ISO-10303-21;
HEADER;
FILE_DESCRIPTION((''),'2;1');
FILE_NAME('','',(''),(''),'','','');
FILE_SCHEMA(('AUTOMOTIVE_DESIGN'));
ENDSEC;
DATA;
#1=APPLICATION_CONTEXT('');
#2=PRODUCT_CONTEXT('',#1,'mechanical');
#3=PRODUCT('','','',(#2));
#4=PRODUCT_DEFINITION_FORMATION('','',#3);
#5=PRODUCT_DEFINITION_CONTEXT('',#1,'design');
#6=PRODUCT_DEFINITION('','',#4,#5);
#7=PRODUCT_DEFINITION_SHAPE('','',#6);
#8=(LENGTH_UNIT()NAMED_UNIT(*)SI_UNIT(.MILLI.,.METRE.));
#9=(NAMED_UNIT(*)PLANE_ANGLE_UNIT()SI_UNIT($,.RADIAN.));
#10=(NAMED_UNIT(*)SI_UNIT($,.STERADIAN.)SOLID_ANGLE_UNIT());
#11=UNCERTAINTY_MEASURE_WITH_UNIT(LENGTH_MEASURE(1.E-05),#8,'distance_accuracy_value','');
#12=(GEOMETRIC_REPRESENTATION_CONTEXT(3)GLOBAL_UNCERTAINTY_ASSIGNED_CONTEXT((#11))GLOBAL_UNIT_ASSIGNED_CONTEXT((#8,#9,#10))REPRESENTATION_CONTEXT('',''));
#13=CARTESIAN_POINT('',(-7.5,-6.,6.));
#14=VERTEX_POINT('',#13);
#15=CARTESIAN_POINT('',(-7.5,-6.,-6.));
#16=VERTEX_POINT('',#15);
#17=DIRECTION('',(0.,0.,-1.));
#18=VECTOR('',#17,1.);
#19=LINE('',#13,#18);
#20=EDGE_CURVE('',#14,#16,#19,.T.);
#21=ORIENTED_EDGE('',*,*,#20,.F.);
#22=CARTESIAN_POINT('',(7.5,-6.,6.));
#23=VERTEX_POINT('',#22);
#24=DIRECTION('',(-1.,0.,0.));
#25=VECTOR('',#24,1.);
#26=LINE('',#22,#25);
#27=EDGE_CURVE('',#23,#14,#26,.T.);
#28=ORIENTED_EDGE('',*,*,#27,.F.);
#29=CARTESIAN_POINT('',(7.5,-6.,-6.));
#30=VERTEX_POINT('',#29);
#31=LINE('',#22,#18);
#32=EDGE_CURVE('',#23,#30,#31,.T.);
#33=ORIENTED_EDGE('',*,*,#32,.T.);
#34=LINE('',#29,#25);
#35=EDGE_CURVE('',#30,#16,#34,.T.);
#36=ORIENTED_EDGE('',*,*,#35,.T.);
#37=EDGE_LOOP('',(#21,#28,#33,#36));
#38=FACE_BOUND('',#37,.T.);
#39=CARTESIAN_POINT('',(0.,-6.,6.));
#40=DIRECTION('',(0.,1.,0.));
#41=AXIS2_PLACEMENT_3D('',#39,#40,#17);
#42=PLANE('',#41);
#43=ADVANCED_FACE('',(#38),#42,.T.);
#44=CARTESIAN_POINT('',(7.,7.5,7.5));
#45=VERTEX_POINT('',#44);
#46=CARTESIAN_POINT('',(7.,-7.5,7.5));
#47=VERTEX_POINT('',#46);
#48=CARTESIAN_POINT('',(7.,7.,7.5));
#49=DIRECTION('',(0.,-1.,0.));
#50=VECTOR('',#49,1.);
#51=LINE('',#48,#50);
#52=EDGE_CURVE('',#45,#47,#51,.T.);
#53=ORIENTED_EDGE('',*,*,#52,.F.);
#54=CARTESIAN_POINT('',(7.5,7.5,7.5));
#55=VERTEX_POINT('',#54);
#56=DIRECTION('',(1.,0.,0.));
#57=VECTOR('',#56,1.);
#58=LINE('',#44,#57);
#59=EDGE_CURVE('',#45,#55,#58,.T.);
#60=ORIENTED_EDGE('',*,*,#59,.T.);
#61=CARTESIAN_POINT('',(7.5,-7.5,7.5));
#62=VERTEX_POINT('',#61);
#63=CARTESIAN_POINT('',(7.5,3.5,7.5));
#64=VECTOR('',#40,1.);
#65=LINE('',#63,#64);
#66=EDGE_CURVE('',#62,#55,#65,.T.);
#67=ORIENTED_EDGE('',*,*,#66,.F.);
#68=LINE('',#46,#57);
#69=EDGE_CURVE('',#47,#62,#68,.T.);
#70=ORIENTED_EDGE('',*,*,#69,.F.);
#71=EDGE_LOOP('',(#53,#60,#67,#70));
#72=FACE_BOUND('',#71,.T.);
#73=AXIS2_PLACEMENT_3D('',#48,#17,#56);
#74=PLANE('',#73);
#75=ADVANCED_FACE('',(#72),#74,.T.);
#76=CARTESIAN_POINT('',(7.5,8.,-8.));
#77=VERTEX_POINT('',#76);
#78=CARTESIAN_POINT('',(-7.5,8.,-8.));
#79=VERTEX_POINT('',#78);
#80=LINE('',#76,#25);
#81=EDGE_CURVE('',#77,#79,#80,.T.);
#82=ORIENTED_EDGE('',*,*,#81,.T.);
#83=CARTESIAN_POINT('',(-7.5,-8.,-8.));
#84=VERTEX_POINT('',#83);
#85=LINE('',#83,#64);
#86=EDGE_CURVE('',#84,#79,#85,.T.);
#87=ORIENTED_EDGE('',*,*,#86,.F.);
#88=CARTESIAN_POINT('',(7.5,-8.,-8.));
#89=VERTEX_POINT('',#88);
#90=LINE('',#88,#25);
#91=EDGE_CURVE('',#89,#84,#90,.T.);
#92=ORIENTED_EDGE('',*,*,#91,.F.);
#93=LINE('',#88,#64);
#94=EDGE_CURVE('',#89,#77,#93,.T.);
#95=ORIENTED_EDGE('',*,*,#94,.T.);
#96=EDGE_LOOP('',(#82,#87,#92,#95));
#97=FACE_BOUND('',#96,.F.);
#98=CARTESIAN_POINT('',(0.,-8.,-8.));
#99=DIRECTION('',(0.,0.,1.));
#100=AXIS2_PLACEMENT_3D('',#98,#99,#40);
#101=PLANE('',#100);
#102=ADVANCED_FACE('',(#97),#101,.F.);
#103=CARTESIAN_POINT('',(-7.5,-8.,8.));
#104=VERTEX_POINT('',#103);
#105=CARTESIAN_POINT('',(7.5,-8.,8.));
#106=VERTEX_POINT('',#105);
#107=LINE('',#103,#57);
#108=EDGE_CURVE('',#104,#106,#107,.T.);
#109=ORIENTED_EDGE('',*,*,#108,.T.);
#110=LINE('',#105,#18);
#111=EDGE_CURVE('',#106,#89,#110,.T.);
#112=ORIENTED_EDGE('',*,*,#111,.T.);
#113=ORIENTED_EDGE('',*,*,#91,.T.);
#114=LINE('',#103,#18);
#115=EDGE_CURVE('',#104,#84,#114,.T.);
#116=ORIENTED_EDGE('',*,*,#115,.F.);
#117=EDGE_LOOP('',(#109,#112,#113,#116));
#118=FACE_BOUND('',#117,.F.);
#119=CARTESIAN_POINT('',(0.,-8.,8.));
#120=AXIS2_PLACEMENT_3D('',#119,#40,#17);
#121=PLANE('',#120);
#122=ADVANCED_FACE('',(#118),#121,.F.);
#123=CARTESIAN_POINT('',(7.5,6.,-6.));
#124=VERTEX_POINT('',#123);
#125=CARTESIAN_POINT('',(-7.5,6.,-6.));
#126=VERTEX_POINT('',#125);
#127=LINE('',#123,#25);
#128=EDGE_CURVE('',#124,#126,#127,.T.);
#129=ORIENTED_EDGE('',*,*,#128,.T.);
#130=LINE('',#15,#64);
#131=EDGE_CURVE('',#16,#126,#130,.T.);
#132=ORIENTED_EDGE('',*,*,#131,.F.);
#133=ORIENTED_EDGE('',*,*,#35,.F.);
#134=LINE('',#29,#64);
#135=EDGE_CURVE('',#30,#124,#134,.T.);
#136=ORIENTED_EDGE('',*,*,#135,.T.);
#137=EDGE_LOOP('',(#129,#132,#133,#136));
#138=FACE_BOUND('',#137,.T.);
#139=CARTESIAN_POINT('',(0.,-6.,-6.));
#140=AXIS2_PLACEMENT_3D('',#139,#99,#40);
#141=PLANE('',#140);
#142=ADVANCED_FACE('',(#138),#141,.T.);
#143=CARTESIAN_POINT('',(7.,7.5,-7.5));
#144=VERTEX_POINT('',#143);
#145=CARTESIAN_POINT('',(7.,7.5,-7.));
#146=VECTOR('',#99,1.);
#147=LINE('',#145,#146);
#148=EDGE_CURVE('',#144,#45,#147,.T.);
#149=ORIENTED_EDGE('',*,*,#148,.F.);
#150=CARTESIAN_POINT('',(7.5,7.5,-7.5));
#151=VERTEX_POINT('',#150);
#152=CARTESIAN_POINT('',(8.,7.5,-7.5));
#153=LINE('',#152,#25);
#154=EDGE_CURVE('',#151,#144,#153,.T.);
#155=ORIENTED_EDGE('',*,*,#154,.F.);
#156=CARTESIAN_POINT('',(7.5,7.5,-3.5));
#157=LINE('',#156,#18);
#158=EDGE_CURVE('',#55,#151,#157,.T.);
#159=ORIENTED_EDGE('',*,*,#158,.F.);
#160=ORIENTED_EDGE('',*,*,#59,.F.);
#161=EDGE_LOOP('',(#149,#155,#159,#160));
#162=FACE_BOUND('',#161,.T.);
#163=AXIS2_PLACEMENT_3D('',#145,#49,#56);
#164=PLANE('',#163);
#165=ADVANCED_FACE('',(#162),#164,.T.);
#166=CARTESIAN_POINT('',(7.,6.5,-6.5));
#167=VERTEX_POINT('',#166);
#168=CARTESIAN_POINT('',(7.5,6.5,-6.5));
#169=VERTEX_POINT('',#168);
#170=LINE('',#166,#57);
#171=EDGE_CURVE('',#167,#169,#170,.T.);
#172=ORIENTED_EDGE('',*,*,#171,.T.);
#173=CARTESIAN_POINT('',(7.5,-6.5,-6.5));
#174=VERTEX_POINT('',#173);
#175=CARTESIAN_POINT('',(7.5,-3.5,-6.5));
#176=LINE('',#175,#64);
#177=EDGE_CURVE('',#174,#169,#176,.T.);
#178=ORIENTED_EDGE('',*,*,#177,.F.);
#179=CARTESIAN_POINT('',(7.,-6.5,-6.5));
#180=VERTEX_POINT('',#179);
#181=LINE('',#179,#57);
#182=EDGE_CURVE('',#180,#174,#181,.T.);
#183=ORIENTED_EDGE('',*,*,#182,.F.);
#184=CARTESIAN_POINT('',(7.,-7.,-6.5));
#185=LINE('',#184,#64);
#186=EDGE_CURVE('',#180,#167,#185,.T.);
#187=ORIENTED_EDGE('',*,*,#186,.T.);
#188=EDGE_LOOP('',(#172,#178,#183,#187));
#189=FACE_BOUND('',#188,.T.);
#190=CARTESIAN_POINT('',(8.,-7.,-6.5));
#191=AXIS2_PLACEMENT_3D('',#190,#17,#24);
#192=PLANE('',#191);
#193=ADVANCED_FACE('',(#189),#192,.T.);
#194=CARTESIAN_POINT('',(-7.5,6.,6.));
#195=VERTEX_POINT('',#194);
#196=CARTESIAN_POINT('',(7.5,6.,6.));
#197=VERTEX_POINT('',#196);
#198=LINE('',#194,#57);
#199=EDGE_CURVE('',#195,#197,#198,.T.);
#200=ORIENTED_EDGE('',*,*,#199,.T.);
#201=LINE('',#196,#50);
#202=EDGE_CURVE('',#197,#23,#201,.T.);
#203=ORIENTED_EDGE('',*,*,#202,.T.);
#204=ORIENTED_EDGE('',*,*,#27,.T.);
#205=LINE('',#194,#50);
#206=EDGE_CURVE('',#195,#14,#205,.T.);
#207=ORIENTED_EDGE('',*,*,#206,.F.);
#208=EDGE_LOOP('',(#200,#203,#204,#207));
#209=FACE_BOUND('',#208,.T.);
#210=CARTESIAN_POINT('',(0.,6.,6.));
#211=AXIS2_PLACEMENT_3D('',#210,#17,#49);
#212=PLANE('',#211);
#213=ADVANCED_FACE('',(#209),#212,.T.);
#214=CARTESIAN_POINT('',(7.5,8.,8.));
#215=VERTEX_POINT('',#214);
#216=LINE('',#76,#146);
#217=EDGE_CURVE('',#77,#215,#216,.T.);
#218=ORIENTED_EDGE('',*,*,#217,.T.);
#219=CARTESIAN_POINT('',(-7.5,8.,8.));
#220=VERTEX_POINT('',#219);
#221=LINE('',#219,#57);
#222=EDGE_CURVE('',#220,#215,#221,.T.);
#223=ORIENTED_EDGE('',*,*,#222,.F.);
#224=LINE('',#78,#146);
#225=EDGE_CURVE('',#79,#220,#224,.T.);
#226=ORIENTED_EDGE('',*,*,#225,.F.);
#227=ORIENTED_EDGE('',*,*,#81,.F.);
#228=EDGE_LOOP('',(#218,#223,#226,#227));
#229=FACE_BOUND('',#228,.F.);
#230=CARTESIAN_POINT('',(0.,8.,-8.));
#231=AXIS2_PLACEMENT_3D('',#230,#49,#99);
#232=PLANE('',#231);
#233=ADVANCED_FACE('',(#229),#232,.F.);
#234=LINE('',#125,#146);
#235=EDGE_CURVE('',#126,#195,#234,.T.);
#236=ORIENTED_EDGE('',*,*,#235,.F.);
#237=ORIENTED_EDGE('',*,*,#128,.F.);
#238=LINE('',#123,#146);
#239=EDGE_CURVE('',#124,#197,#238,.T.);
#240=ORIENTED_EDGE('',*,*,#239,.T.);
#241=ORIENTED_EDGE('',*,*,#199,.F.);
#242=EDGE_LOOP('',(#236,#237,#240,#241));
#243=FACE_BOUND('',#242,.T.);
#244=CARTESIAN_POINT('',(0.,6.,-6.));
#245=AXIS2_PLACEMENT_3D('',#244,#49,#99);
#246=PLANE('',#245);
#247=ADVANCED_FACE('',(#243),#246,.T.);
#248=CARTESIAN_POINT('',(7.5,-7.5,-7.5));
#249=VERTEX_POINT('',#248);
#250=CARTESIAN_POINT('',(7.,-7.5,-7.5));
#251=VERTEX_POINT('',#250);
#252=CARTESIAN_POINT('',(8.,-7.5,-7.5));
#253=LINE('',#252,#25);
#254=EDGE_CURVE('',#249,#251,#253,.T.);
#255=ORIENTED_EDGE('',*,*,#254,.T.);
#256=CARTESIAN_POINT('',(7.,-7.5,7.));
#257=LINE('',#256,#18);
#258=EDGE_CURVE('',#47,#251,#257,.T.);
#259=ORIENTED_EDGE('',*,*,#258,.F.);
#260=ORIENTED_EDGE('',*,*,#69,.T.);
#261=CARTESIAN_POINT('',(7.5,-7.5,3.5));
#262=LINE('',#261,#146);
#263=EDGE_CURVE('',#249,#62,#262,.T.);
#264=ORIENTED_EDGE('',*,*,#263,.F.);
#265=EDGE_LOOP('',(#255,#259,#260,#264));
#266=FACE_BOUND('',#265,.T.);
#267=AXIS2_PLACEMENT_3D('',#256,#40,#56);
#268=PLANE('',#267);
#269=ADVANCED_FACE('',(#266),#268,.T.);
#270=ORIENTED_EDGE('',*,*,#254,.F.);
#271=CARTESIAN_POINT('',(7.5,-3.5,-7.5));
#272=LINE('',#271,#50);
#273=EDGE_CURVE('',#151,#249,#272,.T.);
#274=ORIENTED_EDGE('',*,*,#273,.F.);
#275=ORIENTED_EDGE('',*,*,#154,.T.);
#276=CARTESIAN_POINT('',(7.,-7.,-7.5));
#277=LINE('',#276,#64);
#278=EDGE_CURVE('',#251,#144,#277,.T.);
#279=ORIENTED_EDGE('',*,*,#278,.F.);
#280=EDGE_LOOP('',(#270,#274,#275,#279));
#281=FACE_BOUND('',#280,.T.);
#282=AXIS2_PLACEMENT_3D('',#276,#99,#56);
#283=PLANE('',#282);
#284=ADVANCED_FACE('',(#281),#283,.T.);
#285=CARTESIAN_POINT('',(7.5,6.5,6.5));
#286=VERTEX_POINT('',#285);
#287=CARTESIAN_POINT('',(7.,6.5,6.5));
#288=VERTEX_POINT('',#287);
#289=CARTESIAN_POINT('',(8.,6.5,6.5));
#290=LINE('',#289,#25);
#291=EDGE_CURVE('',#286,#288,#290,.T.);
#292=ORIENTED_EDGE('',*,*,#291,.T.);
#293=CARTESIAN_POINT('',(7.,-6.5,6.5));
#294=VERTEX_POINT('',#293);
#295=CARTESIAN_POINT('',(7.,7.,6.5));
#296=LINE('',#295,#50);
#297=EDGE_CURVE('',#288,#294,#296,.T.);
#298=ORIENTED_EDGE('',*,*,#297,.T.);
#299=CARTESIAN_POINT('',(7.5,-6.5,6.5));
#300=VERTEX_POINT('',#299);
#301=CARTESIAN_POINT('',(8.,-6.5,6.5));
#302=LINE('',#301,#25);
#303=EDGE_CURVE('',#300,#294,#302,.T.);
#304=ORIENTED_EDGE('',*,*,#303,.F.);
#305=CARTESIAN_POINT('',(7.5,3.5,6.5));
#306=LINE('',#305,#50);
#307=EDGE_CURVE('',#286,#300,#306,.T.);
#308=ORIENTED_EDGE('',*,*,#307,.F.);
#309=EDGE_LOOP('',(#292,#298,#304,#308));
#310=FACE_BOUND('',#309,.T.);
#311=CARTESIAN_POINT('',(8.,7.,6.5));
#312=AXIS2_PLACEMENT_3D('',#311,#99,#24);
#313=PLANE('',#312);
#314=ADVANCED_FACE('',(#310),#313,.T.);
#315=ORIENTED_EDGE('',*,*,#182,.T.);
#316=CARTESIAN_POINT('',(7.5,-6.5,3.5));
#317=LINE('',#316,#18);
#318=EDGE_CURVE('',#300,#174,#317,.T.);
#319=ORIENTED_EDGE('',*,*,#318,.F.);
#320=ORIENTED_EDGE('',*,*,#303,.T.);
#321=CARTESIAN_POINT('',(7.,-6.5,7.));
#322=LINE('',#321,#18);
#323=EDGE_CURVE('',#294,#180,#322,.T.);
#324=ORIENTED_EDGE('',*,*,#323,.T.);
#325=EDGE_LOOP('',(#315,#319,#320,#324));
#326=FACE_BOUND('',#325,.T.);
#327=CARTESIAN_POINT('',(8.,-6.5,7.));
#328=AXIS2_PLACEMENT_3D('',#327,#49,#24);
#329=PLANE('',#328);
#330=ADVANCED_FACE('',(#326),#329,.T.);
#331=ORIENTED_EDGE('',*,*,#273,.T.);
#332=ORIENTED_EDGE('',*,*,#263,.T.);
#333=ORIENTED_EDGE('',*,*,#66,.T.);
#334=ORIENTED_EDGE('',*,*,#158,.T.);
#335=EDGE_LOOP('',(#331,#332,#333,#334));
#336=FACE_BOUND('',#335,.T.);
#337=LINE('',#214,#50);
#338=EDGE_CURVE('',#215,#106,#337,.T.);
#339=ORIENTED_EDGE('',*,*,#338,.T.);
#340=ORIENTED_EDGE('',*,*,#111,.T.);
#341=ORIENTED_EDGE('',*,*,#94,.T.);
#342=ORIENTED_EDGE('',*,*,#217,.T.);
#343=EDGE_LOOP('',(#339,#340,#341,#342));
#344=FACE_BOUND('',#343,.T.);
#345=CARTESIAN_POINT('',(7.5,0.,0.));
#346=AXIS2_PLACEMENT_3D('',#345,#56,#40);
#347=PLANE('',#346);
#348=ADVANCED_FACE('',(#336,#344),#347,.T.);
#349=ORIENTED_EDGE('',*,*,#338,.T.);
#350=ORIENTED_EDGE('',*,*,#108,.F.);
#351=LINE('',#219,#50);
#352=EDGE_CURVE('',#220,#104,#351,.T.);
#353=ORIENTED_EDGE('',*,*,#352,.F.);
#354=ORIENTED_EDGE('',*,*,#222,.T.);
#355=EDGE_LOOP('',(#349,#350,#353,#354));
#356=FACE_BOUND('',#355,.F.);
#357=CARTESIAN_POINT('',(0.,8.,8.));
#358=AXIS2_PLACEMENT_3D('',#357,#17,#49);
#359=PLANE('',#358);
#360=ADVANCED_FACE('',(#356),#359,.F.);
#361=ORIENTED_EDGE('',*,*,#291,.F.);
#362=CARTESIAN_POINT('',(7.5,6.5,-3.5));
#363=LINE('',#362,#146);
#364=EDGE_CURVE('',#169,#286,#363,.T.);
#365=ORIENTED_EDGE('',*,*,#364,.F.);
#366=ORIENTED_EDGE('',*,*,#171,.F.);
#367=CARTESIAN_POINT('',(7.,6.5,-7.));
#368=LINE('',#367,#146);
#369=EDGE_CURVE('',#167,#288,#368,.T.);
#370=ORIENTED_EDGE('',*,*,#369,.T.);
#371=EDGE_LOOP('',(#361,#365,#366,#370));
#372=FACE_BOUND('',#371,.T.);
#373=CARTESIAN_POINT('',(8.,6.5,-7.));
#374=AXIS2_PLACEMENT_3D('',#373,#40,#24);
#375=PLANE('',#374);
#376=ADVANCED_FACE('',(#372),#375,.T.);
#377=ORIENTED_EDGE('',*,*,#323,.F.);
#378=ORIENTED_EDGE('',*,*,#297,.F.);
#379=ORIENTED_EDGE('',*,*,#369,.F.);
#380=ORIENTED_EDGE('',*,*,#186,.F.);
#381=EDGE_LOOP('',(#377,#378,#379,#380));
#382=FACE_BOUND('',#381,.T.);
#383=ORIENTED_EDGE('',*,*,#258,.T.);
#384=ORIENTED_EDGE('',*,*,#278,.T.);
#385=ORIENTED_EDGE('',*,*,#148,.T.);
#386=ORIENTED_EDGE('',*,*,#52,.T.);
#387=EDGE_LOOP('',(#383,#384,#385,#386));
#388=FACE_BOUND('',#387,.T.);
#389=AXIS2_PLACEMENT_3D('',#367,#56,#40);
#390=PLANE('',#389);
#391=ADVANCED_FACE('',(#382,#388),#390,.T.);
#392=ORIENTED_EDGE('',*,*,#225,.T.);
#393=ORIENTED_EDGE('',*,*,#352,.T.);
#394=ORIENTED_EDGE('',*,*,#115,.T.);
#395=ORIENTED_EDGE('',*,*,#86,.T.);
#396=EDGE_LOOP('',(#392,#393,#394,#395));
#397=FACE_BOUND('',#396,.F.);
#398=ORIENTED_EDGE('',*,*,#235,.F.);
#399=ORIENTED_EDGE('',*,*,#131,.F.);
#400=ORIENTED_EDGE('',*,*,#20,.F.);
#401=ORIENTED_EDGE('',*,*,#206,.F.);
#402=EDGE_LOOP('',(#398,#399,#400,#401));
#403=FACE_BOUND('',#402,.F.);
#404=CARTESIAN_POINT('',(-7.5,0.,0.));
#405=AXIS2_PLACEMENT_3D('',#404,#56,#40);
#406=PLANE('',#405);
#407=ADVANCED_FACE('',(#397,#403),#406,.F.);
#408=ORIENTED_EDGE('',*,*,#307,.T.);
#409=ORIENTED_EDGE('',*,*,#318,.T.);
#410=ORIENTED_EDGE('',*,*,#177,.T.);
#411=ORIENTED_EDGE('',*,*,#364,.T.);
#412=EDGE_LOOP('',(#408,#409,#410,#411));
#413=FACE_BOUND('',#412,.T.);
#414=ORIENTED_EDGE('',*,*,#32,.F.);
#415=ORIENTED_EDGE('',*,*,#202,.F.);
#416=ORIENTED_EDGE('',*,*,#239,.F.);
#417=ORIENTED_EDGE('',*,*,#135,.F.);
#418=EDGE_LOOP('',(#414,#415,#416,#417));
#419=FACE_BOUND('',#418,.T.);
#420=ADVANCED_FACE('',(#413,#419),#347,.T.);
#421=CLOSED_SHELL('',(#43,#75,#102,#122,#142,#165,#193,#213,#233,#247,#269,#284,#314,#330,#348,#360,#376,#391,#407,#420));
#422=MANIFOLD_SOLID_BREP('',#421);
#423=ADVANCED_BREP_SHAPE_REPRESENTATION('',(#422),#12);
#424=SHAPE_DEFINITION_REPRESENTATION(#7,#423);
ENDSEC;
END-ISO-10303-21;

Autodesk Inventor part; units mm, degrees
sketch "Sketch1" plane through (0, 0, 0) normal (1, 0, 0) x (0, 1, 0)
  line L0 (8, 8) -> (-8, 8)
  line L1 (-8, 8) -> (-8, -8)
  line L2 (-8, -8) -> (8, -8)
  line L3 (8, -8) -> (8, 8)
  line L4 (8, 8) -> (-8, -8) construction
  line L5 (-8, 8) -> (8, -8) construction
  line L6 (6, 6) -> (-6, 6)
  line L7 (-6, 6) -> (-6, -6)
  line L8 (-6, -6) -> (6, -6)
  line L9 (6, -6) -> (6, 6)
  line L10 (6, 6) -> (-6, -6) construction
  line L11 (-6, 6) -> (6, -6) construction
  point P0 (0, 0)
  point P1 (0, 0)
  dimension "d0" = 6
  dimension "d1" = 2
extrude "Extrusion1" add sketch "Sketch1" along normal mid plane 15
sketch "Sketch2" plane through (7.5, 0, 0) normal (1, 0, 0) x (0, 0, -1)
  line L0 (7, 7) -> (-7, 7)
  line L1 (-7, 7) -> (-7, -7)
  line L2 (-7, -7) -> (7, -7)
  line L3 (7, -7) -> (7, 7)
  point P0 (0, 0)
  point P1 (0, 7)
  point P2 (7, 0)
  dimension "d4" = 14
  dimension "d5" = 14
sketch "Sketch3" plane through (0, 0, 0) normal (0, 1, 0) x (-1, 0, 0)
  line L0 (-8, 6.5) -> (-7, 6.5)
  line L1 (-7, 6.5) -> (-7, 7.5)
  line L2 (-7, 7.5) -> (-8, 7.5)
  line L3 (-8, 7.5) -> (-8, 6.5)
  line L4 (-8, 6.5) -> (-7, 7.5) construction
  line L5 (-7, 6.5) -> (-8, 7.5) construction
  line L6 (-7.5, 8) -> (-7.5, -8) projected
  point P0 (0, 0)
  point P1 (-7.5, 7)
  point P2 (-7.5, 0)
  dimension "d6" = 1
  dimension "d7" = 7
sweep "Sweep1" cut profiles "Sketch3" path "Sketch2"
sketch "Sketch4" plane through (0, 0, 0) normal (1, 0, 0) x (0, 1, 0)
  point P0 (0, 0)
sketch "Sketch5" plane through (0, 0, 0) normal (0, 1, 0) x (-1, 0, 0)
  point P0 (0, 0)
properties part number "peca_010_001"
